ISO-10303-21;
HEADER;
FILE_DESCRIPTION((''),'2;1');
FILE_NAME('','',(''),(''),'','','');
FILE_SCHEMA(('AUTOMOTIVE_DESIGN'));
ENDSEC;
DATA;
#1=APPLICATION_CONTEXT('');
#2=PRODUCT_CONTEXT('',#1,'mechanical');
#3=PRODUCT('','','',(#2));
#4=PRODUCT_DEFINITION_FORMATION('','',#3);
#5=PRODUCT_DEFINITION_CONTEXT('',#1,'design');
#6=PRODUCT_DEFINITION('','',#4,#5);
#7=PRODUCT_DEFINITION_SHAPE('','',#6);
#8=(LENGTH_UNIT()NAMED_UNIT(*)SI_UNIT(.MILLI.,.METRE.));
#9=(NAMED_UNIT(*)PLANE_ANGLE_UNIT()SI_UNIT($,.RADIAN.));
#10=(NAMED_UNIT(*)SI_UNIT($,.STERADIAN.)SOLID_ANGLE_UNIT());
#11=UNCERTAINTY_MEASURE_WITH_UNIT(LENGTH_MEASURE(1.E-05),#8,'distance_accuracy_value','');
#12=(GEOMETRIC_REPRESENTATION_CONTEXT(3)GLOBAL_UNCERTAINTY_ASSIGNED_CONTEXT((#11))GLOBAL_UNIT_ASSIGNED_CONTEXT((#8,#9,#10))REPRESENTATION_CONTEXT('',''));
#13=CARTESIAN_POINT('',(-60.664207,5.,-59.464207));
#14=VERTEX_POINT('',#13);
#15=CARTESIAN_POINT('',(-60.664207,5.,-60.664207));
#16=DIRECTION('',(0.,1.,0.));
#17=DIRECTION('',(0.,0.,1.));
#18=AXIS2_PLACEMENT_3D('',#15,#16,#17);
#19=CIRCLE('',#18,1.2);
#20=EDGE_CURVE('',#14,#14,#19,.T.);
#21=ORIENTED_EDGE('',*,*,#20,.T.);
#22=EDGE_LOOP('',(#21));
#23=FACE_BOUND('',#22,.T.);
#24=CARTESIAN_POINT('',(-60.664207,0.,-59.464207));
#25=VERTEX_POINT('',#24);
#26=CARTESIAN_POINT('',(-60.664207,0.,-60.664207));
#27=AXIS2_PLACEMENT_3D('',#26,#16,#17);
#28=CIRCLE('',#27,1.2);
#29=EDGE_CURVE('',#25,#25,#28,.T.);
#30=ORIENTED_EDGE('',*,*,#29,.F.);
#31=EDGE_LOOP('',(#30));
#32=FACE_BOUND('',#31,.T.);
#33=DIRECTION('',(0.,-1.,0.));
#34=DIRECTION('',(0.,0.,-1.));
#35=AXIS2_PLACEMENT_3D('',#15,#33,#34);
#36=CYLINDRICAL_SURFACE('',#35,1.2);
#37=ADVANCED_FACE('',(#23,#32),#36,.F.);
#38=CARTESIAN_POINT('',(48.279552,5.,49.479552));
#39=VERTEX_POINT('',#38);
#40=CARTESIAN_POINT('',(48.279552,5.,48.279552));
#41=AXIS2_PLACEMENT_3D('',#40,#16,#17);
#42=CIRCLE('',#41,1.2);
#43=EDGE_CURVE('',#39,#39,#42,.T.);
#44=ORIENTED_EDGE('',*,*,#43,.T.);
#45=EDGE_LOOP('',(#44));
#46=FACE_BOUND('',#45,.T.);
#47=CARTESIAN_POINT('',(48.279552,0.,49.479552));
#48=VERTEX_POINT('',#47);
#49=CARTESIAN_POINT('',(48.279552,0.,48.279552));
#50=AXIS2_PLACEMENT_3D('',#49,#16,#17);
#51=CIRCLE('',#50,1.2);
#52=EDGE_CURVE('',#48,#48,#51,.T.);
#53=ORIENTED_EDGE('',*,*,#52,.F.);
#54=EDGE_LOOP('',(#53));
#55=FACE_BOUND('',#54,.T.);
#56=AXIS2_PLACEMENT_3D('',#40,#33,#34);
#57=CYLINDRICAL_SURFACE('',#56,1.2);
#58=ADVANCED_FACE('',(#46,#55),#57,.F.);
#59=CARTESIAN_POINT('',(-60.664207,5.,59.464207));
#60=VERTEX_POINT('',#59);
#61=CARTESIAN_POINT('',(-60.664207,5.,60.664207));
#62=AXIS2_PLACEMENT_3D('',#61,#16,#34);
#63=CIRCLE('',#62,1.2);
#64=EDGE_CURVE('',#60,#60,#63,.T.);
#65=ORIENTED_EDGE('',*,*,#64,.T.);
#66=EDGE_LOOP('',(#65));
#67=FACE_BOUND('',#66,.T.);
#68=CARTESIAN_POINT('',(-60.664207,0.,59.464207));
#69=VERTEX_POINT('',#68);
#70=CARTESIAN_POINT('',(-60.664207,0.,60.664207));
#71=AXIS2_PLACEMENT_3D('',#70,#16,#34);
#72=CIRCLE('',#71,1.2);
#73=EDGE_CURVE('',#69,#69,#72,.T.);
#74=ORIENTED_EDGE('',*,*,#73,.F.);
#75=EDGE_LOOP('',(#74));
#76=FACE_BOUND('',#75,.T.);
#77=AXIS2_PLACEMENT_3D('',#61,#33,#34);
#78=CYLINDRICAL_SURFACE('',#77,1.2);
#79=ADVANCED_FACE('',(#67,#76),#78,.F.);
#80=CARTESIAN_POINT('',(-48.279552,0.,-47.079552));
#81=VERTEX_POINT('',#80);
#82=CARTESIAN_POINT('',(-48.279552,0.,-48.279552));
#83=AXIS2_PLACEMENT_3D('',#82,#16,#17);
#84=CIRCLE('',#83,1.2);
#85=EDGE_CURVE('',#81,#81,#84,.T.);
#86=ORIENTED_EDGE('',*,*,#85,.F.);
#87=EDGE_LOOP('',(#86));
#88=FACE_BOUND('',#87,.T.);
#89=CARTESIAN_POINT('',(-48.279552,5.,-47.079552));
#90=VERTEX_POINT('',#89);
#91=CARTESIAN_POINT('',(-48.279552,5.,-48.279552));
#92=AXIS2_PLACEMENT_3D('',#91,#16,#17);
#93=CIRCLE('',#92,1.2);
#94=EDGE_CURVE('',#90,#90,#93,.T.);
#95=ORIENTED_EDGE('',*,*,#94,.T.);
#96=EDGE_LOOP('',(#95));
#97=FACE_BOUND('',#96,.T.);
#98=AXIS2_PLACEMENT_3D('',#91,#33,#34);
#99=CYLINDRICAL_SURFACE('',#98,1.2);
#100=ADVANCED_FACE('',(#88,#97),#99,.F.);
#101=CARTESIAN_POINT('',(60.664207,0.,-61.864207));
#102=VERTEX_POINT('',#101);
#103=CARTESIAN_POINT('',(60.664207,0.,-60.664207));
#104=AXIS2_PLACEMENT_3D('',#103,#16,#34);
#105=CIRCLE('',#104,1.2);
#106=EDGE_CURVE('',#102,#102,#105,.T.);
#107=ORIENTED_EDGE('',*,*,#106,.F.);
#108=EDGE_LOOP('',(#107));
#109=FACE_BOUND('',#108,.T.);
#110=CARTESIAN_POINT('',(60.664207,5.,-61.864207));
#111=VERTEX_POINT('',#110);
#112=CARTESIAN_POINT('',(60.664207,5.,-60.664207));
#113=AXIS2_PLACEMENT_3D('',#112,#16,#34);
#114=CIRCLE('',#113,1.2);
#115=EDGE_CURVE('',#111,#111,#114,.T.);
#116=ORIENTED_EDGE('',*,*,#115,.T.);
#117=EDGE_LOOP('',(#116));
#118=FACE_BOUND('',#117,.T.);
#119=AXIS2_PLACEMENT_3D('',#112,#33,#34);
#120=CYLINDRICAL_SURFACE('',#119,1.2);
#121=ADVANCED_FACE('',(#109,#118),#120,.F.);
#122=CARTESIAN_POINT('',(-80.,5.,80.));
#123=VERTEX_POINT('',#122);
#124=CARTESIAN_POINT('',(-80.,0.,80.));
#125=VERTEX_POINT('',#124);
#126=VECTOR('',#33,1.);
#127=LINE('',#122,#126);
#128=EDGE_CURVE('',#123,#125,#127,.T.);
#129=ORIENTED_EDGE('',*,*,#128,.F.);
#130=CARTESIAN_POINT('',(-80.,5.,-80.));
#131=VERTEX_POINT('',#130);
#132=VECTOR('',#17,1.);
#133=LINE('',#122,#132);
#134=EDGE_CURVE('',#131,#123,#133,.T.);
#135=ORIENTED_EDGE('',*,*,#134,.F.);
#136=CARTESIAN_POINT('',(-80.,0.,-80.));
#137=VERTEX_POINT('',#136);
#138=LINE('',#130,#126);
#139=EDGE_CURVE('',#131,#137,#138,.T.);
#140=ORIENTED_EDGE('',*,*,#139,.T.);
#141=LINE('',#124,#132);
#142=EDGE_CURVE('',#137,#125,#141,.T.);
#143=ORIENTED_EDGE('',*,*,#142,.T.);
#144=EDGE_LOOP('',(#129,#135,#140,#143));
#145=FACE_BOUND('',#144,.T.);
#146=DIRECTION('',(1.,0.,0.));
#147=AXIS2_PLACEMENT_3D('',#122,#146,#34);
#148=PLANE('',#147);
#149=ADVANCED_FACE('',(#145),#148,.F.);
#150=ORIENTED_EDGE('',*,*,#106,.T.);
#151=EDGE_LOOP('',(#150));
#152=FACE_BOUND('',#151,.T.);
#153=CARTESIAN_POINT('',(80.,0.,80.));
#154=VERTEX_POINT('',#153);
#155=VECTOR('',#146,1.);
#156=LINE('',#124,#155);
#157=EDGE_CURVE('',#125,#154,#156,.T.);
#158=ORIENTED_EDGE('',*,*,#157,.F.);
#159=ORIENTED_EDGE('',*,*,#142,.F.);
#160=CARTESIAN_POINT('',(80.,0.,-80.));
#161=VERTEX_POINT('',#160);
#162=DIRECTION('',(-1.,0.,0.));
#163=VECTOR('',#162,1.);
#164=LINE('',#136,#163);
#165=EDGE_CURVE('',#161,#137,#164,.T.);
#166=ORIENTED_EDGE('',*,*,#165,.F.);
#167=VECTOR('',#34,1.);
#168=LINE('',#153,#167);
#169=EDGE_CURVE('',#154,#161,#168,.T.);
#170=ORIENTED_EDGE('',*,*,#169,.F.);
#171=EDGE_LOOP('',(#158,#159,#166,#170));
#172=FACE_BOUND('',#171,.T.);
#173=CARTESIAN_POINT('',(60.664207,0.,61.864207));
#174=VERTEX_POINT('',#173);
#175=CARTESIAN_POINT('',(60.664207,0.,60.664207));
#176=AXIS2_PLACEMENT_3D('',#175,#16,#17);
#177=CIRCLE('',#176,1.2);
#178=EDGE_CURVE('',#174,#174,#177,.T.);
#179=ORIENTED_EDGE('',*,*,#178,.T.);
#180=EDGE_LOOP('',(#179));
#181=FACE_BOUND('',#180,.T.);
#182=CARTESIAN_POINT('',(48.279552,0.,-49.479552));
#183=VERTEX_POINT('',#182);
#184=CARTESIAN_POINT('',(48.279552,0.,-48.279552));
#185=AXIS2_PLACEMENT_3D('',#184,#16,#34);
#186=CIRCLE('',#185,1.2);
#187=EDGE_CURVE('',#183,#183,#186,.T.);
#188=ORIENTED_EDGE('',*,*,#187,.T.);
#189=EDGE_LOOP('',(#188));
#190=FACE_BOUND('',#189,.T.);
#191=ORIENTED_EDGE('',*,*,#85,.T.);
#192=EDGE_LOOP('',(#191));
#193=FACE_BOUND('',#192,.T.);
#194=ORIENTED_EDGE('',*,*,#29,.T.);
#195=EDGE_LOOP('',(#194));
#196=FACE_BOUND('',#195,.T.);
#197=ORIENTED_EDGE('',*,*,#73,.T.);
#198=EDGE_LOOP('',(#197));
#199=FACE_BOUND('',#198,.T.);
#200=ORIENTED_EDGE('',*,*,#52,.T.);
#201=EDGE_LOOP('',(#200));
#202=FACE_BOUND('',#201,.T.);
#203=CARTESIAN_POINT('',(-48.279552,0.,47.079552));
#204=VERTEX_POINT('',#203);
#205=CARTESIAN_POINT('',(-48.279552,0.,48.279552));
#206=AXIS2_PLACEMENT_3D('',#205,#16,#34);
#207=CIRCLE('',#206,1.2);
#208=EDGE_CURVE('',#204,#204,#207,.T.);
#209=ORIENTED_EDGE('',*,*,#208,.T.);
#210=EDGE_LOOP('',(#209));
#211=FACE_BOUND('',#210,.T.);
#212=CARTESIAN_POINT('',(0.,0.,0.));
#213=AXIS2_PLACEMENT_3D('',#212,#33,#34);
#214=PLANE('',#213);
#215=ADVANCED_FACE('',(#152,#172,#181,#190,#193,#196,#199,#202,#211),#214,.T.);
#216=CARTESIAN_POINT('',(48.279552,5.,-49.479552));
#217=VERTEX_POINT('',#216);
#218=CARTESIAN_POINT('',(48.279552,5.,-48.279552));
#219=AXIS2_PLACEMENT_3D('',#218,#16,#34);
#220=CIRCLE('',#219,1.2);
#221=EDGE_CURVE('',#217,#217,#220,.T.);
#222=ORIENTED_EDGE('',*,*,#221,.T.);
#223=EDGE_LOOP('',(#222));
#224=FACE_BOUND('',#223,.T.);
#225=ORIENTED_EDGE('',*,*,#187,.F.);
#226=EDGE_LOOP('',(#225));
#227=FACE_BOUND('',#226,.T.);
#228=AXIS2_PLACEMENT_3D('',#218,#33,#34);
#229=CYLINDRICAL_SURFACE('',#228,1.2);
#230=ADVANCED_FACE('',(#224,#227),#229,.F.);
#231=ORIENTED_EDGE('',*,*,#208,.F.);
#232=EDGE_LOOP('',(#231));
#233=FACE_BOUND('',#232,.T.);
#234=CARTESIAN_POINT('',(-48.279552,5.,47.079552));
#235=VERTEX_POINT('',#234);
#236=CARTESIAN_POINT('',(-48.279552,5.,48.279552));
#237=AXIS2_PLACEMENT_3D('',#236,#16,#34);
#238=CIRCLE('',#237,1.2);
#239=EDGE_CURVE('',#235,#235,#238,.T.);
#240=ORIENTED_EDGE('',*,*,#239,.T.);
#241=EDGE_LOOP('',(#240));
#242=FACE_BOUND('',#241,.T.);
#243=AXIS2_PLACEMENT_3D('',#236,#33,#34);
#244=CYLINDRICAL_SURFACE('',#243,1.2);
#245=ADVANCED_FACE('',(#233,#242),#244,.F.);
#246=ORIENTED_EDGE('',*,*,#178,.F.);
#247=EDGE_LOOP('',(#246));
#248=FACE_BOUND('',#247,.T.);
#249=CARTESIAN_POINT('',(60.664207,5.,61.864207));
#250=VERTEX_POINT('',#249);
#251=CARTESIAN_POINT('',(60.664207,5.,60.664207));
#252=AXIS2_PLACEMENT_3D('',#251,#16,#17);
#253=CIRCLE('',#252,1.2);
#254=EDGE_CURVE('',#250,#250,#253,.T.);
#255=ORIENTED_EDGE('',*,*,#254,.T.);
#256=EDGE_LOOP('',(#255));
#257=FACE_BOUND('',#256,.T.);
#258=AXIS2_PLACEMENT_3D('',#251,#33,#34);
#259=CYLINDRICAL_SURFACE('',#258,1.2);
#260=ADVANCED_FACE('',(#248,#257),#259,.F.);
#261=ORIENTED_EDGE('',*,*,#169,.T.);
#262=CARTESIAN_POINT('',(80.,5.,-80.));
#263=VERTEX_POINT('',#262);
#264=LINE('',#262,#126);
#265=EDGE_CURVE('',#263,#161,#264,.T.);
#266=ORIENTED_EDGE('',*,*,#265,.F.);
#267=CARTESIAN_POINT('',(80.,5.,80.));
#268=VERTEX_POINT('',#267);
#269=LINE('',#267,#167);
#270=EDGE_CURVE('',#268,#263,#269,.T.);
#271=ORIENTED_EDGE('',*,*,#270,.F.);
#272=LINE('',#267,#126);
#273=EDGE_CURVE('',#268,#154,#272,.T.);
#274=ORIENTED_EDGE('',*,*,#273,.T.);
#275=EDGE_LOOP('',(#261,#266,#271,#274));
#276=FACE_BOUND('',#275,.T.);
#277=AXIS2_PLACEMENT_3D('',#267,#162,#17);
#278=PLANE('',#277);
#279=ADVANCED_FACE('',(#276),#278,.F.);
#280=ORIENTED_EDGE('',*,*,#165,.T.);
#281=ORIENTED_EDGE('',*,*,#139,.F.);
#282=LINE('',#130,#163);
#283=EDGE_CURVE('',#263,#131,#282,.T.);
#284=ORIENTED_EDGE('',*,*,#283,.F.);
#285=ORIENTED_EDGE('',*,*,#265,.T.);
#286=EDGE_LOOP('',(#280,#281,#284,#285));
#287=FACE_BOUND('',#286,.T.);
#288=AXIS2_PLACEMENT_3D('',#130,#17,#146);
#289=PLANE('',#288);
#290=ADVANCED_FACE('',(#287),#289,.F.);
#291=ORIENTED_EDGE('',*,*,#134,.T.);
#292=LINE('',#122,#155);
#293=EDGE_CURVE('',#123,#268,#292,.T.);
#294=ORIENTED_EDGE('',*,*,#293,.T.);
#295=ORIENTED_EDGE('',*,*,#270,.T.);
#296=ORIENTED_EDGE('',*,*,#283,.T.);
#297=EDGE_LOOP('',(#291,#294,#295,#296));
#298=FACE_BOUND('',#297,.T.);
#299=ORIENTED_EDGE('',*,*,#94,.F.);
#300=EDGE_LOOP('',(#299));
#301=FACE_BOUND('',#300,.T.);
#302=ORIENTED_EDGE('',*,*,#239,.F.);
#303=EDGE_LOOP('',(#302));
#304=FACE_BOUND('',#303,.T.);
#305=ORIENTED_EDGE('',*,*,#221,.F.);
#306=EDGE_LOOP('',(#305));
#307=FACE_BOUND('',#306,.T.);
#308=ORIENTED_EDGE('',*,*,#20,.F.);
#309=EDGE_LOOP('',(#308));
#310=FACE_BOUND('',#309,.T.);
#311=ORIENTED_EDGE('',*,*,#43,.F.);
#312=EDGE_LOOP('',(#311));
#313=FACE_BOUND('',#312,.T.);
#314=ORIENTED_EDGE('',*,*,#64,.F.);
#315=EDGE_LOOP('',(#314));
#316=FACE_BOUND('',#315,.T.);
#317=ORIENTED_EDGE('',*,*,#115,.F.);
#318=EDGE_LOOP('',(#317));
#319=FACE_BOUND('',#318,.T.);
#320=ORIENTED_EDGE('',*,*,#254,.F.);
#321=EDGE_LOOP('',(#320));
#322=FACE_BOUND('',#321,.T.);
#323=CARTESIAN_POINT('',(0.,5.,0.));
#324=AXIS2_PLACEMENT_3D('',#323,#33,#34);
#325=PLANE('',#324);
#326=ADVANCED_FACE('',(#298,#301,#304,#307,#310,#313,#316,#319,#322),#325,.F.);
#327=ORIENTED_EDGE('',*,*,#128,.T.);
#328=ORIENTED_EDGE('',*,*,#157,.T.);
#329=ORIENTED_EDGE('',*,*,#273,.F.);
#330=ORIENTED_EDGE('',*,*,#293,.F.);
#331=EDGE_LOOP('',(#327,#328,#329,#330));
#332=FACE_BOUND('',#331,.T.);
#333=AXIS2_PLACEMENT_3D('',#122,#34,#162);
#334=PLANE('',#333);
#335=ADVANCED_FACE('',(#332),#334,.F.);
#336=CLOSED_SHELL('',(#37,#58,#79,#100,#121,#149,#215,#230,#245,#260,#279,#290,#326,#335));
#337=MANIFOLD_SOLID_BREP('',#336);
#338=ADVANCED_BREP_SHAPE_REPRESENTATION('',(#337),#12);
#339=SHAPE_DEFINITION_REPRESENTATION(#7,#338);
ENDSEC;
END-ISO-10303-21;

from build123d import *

# Parameters (mm, degrees)
SKETCH1_W           = 160
SKETCH1_H           = 160
SKETCH1_R           = 1.2
BOSS_EXTRUDE1_DEPTH = 5


with BuildPart() as part:
    # Sketch1 → Boss-Extrude1 (new body)
    with BuildSketch(Plane(origin=(0, 0, 0), x_dir=(1, 0, 0), z_dir=(0, 1, 0))):
        Rectangle(SKETCH1_W, SKETCH1_H)
        with Locations(Location((-60.664206642, 60.664206642, 0), (0, 0, 270))):
            Circle(SKETCH1_R, mode=Mode.SUBTRACT)
        with Locations(Location((-48.279552135, 48.279552135, 0), (0, 0, 270))):
            Circle(SKETCH1_R, mode=Mode.SUBTRACT)
        with Locations(Location((48.279552135, 48.279552135, 0), (0, 0, 90))):
            Circle(SKETCH1_R, mode=Mode.SUBTRACT)
        with Locations(Location((60.664206642, 60.664206642, 0), (0, 0, 90))):
            Circle(SKETCH1_R, mode=Mode.SUBTRACT)
        with Locations(Location((60.664206642, -60.664206642, 0), (0, 0, 270))):
            Circle(SKETCH1_R, mode=Mode.SUBTRACT)
        with Locations(Location((48.279552135, -48.279552135, 0), (0, 0, 270))):
            Circle(SKETCH1_R, mode=Mode.SUBTRACT)
        with Locations(Location((-48.279552135, -48.279552135, 0), (0, 0, 90))):
            Circle(SKETCH1_R, mode=Mode.SUBTRACT)
        with Locations(Location((-60.664206642, -60.664206642, 0), (0, 0, 90))):
            Circle(SKETCH1_R, mode=Mode.SUBTRACT)
    extrude(amount=BOSS_EXTRUDE1_DEPTH)


solid = part.part
